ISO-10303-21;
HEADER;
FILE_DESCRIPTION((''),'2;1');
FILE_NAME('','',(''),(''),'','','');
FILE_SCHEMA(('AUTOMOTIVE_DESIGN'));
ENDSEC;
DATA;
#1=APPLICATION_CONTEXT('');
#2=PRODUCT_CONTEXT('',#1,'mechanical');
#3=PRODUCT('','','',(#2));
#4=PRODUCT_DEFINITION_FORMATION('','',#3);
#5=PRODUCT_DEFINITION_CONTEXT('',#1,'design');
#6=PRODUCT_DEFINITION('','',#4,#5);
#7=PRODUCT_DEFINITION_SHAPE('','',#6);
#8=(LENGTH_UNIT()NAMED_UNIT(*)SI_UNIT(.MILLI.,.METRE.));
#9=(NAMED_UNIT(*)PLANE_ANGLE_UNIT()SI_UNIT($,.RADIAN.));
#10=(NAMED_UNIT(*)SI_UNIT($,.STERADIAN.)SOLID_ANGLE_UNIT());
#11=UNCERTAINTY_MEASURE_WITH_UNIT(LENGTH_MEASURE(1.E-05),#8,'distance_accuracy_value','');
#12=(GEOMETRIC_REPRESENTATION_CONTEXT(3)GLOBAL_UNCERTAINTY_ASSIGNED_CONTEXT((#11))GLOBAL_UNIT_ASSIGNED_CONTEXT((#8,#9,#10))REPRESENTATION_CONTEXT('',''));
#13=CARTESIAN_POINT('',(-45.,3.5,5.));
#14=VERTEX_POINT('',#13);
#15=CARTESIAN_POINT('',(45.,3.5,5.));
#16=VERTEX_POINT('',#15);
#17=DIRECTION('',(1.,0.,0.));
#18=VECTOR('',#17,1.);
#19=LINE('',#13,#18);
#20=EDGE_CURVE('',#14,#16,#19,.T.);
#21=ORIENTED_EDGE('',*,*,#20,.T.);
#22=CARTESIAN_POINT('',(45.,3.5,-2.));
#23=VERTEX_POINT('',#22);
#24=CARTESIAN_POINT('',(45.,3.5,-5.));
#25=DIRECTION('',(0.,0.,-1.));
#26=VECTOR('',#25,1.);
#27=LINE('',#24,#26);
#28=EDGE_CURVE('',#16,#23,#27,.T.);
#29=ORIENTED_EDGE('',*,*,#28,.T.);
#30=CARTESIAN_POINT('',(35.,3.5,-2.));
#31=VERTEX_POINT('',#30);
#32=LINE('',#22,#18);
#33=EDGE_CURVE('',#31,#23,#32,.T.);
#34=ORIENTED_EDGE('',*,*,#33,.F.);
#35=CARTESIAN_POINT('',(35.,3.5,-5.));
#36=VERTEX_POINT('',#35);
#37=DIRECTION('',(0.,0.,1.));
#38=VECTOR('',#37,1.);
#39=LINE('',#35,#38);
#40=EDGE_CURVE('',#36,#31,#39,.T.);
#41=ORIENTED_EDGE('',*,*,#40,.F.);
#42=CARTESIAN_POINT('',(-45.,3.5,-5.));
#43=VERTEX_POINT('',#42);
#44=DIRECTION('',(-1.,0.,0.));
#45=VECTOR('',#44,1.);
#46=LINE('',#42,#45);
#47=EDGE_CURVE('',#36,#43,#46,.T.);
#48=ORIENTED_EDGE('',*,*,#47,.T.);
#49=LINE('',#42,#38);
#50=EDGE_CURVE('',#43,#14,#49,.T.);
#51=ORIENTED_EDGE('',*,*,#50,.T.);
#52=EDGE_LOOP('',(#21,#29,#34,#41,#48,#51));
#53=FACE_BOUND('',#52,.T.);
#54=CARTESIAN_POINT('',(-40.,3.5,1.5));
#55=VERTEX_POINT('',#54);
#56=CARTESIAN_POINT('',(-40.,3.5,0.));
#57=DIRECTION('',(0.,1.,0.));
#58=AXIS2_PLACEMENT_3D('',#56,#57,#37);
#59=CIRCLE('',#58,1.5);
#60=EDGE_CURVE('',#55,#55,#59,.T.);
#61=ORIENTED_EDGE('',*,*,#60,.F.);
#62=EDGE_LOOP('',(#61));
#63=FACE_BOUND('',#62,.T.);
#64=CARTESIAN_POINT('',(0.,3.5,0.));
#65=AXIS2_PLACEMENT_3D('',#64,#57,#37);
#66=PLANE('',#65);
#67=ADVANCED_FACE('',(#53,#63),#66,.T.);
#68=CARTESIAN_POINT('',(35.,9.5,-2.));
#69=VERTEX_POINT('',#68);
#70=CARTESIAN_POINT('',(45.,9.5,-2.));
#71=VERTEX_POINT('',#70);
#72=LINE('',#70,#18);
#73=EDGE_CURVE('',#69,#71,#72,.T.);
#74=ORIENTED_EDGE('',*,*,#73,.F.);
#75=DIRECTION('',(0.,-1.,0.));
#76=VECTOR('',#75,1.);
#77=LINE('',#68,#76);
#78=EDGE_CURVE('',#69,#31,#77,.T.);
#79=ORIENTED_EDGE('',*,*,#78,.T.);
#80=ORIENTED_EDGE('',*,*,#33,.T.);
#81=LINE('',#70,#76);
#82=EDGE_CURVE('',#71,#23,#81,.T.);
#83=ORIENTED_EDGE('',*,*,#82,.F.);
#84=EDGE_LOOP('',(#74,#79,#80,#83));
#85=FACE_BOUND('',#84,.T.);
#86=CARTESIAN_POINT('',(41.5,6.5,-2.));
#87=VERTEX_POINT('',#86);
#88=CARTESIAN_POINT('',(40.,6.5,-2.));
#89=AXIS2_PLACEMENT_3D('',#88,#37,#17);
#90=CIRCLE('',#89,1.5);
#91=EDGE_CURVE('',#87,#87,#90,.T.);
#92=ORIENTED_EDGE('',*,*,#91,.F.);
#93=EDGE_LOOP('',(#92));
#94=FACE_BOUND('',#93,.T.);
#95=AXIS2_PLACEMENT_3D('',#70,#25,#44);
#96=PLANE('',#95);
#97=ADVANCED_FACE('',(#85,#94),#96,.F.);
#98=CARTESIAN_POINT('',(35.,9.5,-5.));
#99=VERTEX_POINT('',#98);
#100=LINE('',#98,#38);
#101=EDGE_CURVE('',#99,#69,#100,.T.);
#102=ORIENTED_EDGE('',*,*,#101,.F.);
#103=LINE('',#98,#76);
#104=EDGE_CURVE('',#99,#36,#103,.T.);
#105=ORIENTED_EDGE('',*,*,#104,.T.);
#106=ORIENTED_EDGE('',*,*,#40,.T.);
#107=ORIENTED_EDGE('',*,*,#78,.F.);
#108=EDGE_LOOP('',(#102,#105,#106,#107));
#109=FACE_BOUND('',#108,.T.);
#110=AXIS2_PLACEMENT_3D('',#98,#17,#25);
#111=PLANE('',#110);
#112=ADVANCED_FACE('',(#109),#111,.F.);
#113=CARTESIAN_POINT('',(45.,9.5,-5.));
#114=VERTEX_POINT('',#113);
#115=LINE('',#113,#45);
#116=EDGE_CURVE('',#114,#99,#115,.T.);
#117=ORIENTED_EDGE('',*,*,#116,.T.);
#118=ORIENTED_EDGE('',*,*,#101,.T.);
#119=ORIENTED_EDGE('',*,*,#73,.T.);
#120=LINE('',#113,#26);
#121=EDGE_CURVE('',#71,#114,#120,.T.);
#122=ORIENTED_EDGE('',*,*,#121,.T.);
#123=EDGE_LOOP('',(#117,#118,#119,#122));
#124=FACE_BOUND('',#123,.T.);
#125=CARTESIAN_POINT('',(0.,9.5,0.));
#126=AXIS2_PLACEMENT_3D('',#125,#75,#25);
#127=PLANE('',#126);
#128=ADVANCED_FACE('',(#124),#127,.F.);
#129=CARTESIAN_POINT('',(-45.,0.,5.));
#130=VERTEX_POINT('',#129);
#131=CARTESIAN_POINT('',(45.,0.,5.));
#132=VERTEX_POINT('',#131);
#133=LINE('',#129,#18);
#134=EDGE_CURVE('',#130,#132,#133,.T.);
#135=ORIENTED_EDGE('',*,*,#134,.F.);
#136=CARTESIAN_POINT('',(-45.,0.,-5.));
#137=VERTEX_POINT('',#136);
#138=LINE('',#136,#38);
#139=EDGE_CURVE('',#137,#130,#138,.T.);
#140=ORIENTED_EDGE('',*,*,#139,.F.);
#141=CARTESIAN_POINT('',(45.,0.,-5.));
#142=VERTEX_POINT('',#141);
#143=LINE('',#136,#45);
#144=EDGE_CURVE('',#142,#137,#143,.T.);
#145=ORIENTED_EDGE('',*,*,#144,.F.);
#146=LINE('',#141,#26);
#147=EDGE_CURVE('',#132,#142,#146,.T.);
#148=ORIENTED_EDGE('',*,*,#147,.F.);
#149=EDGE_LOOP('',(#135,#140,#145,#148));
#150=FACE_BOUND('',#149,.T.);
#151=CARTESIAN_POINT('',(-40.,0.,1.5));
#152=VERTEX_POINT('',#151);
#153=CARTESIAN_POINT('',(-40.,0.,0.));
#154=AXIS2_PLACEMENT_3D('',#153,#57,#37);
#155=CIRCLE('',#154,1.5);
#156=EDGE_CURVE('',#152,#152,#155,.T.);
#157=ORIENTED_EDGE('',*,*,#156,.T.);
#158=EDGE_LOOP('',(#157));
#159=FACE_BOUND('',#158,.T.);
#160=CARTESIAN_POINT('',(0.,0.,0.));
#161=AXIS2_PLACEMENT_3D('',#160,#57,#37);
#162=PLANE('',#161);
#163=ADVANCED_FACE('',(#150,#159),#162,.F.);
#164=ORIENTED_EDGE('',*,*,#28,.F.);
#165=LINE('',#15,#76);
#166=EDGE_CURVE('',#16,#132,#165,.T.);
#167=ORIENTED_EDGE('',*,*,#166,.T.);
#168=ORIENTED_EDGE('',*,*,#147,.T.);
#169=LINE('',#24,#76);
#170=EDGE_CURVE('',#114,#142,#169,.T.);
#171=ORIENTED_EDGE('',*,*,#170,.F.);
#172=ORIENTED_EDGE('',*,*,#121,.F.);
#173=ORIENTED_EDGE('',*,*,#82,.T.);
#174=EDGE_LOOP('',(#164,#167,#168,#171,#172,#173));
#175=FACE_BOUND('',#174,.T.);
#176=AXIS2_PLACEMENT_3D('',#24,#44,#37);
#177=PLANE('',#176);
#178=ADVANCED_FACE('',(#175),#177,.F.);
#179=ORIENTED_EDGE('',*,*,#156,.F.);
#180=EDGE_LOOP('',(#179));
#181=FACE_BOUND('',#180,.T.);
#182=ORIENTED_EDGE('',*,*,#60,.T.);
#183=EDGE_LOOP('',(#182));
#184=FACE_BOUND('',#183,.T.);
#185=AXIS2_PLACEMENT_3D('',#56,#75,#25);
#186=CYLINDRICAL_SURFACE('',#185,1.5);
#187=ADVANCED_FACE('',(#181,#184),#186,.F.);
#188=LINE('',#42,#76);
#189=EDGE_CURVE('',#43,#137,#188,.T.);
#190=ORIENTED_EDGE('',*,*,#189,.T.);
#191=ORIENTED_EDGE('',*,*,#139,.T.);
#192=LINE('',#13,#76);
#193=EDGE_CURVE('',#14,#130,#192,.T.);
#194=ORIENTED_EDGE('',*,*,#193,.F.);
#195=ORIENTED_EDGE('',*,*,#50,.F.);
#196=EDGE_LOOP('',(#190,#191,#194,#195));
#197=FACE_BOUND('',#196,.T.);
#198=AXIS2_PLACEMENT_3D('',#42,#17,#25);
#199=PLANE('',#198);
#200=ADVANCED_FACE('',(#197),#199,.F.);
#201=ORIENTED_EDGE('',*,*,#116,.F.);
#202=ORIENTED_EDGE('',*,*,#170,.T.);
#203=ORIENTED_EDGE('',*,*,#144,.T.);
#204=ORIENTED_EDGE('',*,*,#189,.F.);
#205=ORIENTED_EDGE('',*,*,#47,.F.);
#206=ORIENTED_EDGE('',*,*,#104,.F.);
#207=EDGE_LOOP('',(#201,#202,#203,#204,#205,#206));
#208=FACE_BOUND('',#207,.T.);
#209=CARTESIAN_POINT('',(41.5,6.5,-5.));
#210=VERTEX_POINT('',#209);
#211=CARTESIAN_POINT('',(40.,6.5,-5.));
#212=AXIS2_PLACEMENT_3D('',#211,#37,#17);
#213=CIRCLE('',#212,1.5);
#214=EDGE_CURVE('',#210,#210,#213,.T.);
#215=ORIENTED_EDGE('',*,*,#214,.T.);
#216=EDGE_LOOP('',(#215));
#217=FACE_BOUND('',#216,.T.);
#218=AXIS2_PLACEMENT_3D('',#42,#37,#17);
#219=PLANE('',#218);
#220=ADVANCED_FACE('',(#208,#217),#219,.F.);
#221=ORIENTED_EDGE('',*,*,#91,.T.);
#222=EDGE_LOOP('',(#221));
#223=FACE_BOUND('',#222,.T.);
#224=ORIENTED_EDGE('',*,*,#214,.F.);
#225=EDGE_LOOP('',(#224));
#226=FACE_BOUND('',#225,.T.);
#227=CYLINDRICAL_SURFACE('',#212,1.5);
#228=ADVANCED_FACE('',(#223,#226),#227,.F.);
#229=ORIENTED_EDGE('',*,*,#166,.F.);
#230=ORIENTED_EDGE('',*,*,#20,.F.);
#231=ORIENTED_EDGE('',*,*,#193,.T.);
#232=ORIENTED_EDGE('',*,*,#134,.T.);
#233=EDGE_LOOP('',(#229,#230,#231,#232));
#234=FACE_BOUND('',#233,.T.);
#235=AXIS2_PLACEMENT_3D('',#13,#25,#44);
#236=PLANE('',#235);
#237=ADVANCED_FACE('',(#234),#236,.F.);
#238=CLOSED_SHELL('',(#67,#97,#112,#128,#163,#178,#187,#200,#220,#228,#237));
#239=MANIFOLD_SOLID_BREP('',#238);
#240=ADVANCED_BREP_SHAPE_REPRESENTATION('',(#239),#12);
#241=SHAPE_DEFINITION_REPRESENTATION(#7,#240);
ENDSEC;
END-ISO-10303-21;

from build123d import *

# Parameters (mm, degrees)
SKETCH1_W           = 90
SKETCH1_H           = 10
SKETCH1_R           = 1.5
BOSS_EXTRUDE1_DEPTH = 3.5
SKETCH2_W           = 10
SKETCH2_H           = 3
BOSS_EXTRUDE2_DEPTH = 6
SKETCH3_R           = 1.5
CUT_EXTRUDE1_DEPTH  = 3


with BuildPart() as part:
    # Sketch1 → Boss-Extrude1 (new body)
    with BuildSketch(Plane(origin=(0, 0, 0), x_dir=(1, 0, 0), z_dir=(0, 1, 0))):
        Rectangle(SKETCH1_W, SKETCH1_H)
        with Locations(Location((-40, 0, 0), (0, 0, 270))):
            Circle(SKETCH1_R, mode=Mode.SUBTRACT)
    extrude(amount=BOSS_EXTRUDE1_DEPTH)

    # Sketch2 → Boss-Extrude2 (add)
    with BuildSketch(Plane(origin=(0, 3.5, 0), x_dir=(1, 0, 0), z_dir=(0, 1, 0))):
        with Locations((40, 3.5)):
            Rectangle(SKETCH2_W, SKETCH2_H)
    extrude(amount=BOSS_EXTRUDE2_DEPTH)

    # Sketch3 → Cut-Extrude1 (cut)
    with BuildSketch(Plane.XY.offset(-2)):
        with Locations((40, 6.5)):
            Circle(SKETCH3_R)
    extrude(amount=-CUT_EXTRUDE1_DEPTH, mode=Mode.SUBTRACT)


solid = part.part
